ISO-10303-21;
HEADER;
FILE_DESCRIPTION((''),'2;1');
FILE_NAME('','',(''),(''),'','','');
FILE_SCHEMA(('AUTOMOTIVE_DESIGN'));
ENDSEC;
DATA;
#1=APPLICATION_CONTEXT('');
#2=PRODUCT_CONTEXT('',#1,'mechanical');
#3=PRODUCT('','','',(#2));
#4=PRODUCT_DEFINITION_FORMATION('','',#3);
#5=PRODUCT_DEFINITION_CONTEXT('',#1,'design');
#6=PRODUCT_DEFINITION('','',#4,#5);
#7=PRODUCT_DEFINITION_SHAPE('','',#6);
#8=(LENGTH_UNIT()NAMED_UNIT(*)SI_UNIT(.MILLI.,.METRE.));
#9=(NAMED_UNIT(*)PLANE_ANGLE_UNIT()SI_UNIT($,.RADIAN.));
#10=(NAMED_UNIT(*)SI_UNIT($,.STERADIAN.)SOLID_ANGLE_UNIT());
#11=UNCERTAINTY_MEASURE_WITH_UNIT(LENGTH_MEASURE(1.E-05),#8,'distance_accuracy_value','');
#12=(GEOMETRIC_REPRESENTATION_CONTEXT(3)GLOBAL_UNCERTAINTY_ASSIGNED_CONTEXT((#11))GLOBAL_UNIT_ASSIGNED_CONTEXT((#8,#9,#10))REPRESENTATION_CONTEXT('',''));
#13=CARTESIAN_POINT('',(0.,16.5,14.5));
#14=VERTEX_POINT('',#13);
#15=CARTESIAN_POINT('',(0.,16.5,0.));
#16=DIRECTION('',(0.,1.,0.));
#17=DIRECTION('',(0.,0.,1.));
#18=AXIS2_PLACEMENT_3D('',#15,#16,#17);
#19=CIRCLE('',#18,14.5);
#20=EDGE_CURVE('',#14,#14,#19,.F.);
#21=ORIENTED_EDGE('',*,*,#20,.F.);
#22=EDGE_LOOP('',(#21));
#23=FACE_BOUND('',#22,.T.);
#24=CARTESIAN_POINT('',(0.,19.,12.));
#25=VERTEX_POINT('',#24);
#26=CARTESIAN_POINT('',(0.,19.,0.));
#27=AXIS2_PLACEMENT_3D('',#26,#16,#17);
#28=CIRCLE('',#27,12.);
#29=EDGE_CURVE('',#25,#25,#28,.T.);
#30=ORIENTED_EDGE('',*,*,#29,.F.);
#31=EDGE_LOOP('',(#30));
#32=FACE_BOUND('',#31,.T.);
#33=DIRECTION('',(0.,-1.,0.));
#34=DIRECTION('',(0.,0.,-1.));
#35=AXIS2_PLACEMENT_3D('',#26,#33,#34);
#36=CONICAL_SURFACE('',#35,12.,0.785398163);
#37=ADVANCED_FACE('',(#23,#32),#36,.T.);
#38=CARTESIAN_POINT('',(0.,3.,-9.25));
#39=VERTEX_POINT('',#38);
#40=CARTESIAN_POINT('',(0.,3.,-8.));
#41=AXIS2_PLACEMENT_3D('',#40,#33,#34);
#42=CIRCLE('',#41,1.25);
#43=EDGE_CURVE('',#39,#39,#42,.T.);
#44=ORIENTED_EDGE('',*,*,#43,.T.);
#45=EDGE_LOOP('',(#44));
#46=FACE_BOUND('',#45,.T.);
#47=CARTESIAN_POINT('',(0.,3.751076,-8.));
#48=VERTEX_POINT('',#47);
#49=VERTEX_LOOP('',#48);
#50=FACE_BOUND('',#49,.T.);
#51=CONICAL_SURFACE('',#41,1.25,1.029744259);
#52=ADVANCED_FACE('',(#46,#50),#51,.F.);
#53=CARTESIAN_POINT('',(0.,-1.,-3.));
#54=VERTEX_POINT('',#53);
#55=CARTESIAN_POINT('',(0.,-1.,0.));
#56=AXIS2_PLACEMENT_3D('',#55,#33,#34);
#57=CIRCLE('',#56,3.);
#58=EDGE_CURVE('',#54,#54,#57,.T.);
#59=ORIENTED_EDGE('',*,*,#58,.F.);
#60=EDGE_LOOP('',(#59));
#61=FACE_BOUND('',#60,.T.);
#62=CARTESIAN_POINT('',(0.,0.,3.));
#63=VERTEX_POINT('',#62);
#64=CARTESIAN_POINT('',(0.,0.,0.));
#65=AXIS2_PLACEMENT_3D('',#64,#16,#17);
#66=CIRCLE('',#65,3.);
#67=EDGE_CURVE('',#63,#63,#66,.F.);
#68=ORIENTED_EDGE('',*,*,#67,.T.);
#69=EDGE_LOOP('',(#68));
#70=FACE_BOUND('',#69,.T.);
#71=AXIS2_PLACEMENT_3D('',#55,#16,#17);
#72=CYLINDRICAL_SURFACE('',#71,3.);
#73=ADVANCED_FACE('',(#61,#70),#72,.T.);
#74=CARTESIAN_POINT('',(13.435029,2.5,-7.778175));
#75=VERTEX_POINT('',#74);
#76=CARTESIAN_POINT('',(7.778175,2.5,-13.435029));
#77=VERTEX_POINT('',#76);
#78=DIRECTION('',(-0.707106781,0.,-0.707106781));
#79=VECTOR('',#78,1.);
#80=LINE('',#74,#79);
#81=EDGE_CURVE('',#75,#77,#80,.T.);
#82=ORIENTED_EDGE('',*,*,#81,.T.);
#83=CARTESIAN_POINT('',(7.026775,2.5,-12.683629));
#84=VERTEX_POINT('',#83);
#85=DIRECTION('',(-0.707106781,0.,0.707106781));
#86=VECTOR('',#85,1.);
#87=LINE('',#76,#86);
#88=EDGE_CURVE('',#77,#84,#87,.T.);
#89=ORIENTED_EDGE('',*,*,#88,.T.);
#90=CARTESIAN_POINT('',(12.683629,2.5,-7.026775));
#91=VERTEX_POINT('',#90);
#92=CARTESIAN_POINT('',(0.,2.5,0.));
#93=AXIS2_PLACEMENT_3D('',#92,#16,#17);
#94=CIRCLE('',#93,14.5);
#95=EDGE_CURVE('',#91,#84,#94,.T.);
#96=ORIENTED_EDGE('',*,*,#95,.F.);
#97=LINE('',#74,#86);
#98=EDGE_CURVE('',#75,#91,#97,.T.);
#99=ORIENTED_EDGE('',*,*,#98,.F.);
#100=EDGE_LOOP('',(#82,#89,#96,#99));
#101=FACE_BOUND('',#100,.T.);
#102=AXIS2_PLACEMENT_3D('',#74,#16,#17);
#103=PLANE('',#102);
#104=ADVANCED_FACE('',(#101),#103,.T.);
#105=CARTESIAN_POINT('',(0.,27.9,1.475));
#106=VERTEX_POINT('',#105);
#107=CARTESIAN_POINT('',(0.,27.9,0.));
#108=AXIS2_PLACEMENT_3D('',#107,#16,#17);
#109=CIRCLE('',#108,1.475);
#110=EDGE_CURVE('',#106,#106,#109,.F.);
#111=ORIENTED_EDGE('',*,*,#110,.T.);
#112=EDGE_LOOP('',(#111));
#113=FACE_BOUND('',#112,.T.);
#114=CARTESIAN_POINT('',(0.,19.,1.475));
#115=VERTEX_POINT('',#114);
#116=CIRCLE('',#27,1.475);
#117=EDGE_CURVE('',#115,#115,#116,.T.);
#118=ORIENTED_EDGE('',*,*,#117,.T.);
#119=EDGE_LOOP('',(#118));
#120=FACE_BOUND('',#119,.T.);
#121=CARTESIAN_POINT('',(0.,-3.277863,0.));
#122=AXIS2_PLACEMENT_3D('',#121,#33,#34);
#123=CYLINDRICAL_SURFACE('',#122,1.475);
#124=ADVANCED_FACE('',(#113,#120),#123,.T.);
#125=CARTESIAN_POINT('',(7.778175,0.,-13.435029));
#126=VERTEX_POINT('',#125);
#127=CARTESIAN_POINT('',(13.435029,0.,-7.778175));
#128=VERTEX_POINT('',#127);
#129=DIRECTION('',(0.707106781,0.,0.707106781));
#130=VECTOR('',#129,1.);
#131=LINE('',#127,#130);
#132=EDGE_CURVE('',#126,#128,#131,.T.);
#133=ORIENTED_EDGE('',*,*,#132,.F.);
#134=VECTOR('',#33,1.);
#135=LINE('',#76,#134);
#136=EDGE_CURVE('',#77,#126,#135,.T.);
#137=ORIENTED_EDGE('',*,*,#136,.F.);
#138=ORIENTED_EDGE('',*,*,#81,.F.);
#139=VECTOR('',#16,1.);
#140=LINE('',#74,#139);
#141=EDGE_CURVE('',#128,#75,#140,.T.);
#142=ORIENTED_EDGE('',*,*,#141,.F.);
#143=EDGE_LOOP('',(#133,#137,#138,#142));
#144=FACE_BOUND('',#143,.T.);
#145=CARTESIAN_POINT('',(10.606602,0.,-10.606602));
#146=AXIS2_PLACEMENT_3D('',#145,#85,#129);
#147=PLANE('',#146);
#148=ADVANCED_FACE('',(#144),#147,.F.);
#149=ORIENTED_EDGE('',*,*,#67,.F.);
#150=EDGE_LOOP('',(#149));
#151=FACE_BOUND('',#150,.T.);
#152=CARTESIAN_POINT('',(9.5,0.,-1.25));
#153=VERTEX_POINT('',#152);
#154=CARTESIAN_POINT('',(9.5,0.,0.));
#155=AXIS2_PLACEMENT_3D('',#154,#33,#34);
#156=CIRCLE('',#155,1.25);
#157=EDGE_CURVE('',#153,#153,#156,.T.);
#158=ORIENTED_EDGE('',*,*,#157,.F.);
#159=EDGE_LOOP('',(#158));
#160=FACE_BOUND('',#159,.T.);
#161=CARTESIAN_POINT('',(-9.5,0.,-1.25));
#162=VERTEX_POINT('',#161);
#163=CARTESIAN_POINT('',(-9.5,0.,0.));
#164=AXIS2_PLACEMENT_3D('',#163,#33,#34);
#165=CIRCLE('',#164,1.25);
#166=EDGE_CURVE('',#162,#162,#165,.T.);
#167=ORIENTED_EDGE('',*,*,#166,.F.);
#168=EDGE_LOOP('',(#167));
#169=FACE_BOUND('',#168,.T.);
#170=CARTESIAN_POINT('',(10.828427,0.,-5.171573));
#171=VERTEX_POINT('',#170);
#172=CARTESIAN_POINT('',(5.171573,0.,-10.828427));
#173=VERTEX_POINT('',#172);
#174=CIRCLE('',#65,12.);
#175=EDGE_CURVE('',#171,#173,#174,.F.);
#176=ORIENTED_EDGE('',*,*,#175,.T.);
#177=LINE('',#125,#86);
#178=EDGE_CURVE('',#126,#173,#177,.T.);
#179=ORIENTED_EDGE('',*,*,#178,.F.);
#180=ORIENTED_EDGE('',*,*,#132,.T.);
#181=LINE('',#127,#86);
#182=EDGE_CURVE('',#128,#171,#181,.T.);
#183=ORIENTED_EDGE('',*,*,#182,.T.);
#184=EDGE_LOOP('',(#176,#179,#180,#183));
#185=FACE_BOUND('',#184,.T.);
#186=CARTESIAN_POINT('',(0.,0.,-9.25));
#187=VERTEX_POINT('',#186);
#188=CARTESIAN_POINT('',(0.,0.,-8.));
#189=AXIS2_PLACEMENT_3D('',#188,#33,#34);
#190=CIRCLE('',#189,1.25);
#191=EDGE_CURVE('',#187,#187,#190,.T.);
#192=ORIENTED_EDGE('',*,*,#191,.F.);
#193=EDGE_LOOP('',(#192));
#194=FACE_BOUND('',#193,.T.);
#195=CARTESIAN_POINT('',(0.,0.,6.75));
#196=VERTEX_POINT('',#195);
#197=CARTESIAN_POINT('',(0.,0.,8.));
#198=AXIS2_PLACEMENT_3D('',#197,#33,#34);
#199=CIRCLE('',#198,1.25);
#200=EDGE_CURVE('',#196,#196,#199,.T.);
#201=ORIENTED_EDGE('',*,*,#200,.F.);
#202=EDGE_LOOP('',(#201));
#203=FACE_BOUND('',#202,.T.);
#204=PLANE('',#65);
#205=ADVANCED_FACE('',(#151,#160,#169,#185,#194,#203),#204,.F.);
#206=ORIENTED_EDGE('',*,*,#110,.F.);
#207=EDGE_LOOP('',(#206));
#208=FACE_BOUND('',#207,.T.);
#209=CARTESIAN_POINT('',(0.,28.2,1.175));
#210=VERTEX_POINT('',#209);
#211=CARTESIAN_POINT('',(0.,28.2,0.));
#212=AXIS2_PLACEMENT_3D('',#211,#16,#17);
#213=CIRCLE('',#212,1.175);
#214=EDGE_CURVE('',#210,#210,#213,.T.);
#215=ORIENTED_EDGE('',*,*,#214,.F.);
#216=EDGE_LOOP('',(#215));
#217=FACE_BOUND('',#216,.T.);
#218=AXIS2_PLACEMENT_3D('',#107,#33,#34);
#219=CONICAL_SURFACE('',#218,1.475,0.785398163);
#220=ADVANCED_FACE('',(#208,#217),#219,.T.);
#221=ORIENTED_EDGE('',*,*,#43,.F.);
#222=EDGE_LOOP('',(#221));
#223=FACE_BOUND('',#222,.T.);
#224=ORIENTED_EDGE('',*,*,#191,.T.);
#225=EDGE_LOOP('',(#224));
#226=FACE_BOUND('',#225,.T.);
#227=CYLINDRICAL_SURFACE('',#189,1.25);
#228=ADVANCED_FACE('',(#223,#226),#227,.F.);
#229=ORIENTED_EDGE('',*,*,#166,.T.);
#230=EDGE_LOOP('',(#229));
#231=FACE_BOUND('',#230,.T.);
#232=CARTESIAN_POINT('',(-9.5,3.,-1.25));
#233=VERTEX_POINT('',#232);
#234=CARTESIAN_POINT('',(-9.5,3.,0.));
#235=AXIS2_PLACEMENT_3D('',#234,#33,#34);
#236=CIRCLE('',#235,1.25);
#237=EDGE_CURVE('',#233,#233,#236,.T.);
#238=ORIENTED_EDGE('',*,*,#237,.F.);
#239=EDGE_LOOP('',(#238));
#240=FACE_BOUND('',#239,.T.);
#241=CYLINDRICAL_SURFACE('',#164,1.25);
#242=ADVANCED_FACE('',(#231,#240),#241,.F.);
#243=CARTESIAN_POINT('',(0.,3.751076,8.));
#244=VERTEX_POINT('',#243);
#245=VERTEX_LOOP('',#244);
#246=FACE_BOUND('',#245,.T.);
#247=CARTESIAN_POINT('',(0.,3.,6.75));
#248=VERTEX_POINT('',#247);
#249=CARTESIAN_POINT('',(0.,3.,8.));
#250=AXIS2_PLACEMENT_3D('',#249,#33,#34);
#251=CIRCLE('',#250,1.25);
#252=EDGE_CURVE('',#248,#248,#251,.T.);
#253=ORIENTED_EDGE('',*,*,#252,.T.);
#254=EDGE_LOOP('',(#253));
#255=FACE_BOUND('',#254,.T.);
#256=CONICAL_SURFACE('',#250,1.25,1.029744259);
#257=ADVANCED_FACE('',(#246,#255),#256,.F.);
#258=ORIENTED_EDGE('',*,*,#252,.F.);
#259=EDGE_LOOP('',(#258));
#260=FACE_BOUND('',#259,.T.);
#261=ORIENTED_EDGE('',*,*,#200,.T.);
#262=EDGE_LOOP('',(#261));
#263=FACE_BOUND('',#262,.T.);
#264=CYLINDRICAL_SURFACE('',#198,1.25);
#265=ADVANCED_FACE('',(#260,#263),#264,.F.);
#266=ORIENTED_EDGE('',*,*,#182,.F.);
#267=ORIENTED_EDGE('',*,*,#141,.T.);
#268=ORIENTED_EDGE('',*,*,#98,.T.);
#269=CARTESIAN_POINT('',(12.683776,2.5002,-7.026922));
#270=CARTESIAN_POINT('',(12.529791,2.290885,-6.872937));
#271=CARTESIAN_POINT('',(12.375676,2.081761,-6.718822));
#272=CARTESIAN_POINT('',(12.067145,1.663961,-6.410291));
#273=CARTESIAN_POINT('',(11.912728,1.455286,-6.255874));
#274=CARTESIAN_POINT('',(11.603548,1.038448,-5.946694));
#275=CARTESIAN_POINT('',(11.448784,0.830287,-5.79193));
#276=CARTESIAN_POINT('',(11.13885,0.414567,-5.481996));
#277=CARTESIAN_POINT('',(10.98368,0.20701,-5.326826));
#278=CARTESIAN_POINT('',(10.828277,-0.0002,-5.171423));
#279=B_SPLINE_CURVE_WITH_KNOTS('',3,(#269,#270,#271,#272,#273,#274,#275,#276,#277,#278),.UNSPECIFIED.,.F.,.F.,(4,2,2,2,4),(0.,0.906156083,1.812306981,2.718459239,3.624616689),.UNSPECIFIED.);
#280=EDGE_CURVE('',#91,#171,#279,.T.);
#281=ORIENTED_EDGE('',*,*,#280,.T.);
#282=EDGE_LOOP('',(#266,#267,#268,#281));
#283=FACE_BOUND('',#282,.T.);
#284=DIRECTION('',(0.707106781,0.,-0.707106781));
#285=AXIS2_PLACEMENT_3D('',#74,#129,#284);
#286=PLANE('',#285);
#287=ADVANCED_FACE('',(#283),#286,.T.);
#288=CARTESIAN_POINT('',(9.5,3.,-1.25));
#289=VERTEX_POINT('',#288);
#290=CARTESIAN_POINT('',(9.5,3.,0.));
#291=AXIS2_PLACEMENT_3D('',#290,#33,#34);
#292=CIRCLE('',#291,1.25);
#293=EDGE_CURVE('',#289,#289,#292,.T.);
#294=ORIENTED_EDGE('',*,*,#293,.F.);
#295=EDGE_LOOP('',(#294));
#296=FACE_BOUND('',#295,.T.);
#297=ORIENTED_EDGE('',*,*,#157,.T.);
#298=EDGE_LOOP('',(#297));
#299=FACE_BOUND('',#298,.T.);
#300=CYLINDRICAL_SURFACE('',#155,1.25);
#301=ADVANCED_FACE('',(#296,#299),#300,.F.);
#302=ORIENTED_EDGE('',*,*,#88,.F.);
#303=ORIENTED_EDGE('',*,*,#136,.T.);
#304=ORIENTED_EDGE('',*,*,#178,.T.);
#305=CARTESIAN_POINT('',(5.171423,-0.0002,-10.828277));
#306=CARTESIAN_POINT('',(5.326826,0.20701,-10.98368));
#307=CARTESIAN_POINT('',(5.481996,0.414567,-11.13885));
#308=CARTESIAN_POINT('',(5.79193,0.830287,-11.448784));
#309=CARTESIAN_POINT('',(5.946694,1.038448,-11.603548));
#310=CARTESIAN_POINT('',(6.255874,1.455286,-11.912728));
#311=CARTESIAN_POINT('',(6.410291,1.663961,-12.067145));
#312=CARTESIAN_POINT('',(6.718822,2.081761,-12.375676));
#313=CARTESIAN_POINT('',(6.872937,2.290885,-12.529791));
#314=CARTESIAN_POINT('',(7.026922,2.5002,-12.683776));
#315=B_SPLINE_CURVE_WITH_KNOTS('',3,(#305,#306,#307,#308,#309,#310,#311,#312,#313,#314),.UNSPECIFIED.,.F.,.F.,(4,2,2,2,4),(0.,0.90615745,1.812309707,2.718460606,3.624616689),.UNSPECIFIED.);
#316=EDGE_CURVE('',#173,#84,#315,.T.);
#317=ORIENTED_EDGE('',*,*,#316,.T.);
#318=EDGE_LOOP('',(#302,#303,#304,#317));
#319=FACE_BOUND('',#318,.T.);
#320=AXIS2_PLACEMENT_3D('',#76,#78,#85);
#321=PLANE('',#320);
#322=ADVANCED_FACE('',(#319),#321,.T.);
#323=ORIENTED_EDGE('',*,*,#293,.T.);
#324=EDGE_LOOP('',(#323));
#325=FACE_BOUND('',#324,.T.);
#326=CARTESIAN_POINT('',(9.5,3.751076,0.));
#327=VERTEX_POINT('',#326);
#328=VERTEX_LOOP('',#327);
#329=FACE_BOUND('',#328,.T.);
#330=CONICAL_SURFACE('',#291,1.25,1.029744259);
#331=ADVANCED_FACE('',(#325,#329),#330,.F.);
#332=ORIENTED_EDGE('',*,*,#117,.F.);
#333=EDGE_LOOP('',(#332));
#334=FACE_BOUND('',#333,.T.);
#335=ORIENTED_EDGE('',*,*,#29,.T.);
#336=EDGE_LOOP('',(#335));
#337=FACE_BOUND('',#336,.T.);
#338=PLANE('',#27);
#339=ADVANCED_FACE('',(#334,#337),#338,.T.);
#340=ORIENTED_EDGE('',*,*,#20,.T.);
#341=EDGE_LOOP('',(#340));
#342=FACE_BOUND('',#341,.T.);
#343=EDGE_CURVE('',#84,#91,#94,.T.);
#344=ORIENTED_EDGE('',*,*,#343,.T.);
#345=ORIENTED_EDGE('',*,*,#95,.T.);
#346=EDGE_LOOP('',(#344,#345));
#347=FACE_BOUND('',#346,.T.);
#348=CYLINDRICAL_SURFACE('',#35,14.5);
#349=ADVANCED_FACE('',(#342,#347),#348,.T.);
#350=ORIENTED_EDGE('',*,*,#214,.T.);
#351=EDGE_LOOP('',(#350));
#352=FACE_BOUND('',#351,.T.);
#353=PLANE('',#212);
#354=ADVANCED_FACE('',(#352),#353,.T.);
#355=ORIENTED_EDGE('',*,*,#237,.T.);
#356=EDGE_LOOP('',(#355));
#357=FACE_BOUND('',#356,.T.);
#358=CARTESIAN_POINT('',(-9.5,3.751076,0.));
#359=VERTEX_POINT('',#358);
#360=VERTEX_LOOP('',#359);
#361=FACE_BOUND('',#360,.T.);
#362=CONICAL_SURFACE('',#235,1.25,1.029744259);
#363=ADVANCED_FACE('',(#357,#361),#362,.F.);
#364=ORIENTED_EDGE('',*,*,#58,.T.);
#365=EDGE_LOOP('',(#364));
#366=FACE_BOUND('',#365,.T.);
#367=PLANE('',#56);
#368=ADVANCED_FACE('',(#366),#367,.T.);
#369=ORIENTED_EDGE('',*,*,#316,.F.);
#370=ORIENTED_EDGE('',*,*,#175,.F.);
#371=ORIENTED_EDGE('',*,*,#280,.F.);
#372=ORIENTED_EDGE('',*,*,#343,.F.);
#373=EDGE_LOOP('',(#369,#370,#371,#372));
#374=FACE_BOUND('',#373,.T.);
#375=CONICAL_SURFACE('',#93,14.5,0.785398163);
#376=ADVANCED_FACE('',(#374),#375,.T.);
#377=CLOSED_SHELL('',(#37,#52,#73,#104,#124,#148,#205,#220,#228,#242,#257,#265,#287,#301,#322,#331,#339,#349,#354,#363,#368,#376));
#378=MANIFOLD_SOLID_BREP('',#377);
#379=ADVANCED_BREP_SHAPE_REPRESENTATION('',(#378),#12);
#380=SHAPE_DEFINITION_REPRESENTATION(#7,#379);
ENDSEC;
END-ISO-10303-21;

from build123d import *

# Parameters (mm, degrees)
SKIZZE1_R                  = 14.5
GRUNDKOERPER_DEPTH         = 19
GRUNDKOERPERFASE_SIZE      = 2.5
MONTAGEBOHRUNG_UNTEN_D     = 2.5
MONTAGEBOHRUNG_UNTEN_DEPTH = 3
MONTAGEBOHRUNG_UNTEN_TIP   = 0.751075774
SKIZZE6_W                  = 1.475
SKIZZE6_H                  = 9.2
AUFNAHME_FASE_SIZE         = 0.3
SKIZZE7_R                  = 3
WELLENUEBERSTAND_DEPTH     = 1
SKIZZE8_W                  = 2.5
SKIZZE8_H                  = 8
KABELANSCHLUSS_DEPTH       = 5


with BuildPart() as part:
    # Skizze1 → Grundkoerper (new body)
    with BuildSketch(Plane(origin=(0, 0, 0), x_dir=(1, 0, 0), z_dir=(0, 1, 0))):
        Circle(SKIZZE1_R)
    extrude(amount=GRUNDKOERPER_DEPTH)

    # Grundkoerperfase
    grundkoerperfase_edges = [part.edges().sort_by_distance(p)[0] for p in [
        (-14.5, 0, 0),
        (-14.5, 19, 0),
    ]]
    chamfer(grundkoerperfase_edges, length=GRUNDKOERPERFASE_SIZE)

    # Montagebohrung unten
    with Locations(Plane(origin=(0, 0, 0), x_dir=(-1, 0, 0), z_dir=(0, -1, 0))):
        with Locations((9.5, 0), (0, -8), (-9.5, 0), (0, 8)):
            Hole(MONTAGEBOHRUNG_UNTEN_D / 2, depth=MONTAGEBOHRUNG_UNTEN_DEPTH)
            with Locations((0, 0, -(MONTAGEBOHRUNG_UNTEN_DEPTH + MONTAGEBOHRUNG_UNTEN_TIP / 2))):  # 118° drill point
                Cone(0, MONTAGEBOHRUNG_UNTEN_D / 2, MONTAGEBOHRUNG_UNTEN_TIP, mode=Mode.SUBTRACT)

    # Skizze6 → Propelleraufnahme (revolve)
    with BuildSketch(Plane.XY):
        with Locations((0.7375, 23.6)):
            Rectangle(SKIZZE6_W, SKIZZE6_H)
    revolve(axis=Axis((0, -3.27786324, 0), (0, 1, 0)))

    # Aufnahme_Fase
    aufnahme_fase_edges = [part.edges().sort_by_distance(p)[0] for p in [
        (-1.475, 28.2, 0),
    ]]
    chamfer(aufnahme_fase_edges, length=AUFNAHME_FASE_SIZE)

    # Skizze7 → Wellenueberstand (add)
    with BuildSketch(Plane.XZ):
        Circle(SKIZZE7_R)
    extrude(amount=WELLENUEBERSTAND_DEPTH)

    # Skizze8 → Kabelanschluss (add)
    with BuildSketch(Plane(origin=(7.071067812, 0, -7.071067812), x_dir=(0, 1, 0), z_dir=(-0.7071067811865488, 0, 0.7071067811865464))):
        with Locations((1.25, 0)):
            Rectangle(SKIZZE8_W, SKIZZE8_H)
    extrude(amount=-KABELANSCHLUSS_DEPTH)


solid = part.part
